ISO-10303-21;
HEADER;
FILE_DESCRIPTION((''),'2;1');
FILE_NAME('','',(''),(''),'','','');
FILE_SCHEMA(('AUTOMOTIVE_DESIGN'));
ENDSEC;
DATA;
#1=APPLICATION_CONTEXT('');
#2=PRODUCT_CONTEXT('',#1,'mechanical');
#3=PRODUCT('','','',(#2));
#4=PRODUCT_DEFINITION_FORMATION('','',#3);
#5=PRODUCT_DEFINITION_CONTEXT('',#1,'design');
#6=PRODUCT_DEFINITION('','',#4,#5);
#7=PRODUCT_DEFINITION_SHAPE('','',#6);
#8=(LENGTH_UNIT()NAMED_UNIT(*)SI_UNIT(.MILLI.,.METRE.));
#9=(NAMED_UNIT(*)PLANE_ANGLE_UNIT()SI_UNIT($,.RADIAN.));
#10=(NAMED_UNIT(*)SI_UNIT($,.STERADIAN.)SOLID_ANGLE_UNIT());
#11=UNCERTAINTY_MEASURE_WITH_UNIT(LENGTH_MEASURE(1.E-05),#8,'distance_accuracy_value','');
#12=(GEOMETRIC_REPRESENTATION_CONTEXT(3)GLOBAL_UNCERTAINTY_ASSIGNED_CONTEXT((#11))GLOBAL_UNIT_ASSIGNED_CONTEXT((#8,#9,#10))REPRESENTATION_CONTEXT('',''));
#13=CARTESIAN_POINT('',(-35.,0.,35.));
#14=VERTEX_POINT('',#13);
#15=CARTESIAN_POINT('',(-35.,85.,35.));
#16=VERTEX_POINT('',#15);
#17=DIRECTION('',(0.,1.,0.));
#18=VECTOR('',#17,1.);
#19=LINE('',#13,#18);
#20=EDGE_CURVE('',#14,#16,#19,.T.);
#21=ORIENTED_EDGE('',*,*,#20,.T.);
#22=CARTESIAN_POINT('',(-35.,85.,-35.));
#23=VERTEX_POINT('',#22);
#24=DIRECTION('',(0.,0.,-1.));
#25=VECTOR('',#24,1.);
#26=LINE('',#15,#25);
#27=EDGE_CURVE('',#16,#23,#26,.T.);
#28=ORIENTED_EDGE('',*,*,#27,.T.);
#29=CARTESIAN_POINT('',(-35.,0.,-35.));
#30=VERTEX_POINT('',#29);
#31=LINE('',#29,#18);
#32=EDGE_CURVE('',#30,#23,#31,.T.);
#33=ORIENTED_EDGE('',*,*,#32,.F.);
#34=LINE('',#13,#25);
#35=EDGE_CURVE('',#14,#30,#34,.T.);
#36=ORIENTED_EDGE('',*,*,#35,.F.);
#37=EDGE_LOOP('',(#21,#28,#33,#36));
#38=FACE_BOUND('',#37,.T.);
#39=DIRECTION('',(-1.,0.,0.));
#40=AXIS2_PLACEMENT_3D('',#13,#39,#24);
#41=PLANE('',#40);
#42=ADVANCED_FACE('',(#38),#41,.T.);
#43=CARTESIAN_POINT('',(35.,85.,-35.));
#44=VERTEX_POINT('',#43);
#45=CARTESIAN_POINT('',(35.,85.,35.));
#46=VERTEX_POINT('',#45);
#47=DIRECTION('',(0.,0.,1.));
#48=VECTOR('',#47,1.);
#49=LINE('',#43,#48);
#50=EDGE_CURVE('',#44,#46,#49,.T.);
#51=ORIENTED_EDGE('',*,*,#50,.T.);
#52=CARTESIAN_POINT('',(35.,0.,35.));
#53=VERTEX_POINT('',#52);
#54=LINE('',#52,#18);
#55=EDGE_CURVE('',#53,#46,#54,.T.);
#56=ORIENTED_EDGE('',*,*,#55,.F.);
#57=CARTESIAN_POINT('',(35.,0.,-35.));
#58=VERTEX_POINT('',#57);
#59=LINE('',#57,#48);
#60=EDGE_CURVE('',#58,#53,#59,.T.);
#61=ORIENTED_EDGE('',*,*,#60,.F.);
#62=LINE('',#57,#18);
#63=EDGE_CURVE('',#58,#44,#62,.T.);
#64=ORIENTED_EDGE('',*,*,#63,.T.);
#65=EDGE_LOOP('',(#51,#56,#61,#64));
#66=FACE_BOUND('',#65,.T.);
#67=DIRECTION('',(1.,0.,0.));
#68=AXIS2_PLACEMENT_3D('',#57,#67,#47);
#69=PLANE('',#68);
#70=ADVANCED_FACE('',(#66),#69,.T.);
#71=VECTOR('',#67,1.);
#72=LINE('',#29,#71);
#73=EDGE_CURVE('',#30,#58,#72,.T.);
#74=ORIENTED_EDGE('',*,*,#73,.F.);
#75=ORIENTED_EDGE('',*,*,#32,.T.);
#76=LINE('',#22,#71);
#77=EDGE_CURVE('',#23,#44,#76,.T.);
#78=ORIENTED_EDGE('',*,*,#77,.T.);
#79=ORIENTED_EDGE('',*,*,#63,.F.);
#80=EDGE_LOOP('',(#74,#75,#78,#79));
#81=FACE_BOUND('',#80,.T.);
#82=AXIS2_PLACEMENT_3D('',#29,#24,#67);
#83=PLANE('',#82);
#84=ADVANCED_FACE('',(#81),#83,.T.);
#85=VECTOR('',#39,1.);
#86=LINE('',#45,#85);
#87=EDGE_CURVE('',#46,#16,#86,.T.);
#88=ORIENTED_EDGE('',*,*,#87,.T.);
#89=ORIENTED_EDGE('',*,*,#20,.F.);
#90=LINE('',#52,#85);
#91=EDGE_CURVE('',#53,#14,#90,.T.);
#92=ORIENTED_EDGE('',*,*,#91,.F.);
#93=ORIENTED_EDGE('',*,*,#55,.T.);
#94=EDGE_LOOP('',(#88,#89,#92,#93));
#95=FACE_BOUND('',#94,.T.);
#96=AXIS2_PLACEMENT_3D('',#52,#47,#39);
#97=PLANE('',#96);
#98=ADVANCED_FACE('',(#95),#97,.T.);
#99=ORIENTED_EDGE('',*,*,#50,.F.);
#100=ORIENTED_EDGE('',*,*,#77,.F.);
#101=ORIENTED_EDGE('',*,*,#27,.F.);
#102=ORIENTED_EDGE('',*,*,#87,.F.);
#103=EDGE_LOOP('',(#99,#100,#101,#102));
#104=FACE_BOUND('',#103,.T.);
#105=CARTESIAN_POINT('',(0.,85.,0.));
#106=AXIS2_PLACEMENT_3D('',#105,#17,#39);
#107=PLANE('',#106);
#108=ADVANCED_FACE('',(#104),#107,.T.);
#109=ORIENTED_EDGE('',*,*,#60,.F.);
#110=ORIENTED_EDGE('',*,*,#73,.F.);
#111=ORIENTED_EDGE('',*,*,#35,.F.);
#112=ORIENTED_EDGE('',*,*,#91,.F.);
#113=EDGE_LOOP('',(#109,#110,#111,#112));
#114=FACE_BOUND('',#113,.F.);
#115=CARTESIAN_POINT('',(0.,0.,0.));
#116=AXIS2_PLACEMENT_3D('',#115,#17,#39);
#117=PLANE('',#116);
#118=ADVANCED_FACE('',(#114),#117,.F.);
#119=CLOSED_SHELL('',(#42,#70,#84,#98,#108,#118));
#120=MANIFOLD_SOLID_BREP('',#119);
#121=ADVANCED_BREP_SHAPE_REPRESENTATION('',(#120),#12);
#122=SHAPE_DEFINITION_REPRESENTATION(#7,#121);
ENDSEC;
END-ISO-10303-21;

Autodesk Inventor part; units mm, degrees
ref_plane "YZ Plane" through (0, 0, 0) normal (1, 0, 0) x (0, 1, 0)
ref_plane "XZ Plane" through (0, 0, 0) normal (0, 1, 0) x (-1, 0, 0)
ref_plane "XY Plane" through (0, 0, 0) normal (0, 0, 1) x (1, 0, 0)
sketch "Sketch1" plane through (0, 0, 0) normal (0, 1, 0) x (-1, 0, 0)
  line L0 (-35, 35) -> (35, 35)
  line L1 (35, 35) -> (35, -35)
  line L2 (35, -35) -> (-35, -35)
  line L3 (-35, -35) -> (-35, 35)
  line L4 (-35, 35) -> (35, -35) construction
  line L5 (35, 35) -> (-35, -35) construction
  point P0 (0, 0)
  dimension "d0" = 70
  dimension "d1" = 70
extrude "Extrusion1" add sketch "Sketch1" along normal blind 85
properties part number "oil container"
